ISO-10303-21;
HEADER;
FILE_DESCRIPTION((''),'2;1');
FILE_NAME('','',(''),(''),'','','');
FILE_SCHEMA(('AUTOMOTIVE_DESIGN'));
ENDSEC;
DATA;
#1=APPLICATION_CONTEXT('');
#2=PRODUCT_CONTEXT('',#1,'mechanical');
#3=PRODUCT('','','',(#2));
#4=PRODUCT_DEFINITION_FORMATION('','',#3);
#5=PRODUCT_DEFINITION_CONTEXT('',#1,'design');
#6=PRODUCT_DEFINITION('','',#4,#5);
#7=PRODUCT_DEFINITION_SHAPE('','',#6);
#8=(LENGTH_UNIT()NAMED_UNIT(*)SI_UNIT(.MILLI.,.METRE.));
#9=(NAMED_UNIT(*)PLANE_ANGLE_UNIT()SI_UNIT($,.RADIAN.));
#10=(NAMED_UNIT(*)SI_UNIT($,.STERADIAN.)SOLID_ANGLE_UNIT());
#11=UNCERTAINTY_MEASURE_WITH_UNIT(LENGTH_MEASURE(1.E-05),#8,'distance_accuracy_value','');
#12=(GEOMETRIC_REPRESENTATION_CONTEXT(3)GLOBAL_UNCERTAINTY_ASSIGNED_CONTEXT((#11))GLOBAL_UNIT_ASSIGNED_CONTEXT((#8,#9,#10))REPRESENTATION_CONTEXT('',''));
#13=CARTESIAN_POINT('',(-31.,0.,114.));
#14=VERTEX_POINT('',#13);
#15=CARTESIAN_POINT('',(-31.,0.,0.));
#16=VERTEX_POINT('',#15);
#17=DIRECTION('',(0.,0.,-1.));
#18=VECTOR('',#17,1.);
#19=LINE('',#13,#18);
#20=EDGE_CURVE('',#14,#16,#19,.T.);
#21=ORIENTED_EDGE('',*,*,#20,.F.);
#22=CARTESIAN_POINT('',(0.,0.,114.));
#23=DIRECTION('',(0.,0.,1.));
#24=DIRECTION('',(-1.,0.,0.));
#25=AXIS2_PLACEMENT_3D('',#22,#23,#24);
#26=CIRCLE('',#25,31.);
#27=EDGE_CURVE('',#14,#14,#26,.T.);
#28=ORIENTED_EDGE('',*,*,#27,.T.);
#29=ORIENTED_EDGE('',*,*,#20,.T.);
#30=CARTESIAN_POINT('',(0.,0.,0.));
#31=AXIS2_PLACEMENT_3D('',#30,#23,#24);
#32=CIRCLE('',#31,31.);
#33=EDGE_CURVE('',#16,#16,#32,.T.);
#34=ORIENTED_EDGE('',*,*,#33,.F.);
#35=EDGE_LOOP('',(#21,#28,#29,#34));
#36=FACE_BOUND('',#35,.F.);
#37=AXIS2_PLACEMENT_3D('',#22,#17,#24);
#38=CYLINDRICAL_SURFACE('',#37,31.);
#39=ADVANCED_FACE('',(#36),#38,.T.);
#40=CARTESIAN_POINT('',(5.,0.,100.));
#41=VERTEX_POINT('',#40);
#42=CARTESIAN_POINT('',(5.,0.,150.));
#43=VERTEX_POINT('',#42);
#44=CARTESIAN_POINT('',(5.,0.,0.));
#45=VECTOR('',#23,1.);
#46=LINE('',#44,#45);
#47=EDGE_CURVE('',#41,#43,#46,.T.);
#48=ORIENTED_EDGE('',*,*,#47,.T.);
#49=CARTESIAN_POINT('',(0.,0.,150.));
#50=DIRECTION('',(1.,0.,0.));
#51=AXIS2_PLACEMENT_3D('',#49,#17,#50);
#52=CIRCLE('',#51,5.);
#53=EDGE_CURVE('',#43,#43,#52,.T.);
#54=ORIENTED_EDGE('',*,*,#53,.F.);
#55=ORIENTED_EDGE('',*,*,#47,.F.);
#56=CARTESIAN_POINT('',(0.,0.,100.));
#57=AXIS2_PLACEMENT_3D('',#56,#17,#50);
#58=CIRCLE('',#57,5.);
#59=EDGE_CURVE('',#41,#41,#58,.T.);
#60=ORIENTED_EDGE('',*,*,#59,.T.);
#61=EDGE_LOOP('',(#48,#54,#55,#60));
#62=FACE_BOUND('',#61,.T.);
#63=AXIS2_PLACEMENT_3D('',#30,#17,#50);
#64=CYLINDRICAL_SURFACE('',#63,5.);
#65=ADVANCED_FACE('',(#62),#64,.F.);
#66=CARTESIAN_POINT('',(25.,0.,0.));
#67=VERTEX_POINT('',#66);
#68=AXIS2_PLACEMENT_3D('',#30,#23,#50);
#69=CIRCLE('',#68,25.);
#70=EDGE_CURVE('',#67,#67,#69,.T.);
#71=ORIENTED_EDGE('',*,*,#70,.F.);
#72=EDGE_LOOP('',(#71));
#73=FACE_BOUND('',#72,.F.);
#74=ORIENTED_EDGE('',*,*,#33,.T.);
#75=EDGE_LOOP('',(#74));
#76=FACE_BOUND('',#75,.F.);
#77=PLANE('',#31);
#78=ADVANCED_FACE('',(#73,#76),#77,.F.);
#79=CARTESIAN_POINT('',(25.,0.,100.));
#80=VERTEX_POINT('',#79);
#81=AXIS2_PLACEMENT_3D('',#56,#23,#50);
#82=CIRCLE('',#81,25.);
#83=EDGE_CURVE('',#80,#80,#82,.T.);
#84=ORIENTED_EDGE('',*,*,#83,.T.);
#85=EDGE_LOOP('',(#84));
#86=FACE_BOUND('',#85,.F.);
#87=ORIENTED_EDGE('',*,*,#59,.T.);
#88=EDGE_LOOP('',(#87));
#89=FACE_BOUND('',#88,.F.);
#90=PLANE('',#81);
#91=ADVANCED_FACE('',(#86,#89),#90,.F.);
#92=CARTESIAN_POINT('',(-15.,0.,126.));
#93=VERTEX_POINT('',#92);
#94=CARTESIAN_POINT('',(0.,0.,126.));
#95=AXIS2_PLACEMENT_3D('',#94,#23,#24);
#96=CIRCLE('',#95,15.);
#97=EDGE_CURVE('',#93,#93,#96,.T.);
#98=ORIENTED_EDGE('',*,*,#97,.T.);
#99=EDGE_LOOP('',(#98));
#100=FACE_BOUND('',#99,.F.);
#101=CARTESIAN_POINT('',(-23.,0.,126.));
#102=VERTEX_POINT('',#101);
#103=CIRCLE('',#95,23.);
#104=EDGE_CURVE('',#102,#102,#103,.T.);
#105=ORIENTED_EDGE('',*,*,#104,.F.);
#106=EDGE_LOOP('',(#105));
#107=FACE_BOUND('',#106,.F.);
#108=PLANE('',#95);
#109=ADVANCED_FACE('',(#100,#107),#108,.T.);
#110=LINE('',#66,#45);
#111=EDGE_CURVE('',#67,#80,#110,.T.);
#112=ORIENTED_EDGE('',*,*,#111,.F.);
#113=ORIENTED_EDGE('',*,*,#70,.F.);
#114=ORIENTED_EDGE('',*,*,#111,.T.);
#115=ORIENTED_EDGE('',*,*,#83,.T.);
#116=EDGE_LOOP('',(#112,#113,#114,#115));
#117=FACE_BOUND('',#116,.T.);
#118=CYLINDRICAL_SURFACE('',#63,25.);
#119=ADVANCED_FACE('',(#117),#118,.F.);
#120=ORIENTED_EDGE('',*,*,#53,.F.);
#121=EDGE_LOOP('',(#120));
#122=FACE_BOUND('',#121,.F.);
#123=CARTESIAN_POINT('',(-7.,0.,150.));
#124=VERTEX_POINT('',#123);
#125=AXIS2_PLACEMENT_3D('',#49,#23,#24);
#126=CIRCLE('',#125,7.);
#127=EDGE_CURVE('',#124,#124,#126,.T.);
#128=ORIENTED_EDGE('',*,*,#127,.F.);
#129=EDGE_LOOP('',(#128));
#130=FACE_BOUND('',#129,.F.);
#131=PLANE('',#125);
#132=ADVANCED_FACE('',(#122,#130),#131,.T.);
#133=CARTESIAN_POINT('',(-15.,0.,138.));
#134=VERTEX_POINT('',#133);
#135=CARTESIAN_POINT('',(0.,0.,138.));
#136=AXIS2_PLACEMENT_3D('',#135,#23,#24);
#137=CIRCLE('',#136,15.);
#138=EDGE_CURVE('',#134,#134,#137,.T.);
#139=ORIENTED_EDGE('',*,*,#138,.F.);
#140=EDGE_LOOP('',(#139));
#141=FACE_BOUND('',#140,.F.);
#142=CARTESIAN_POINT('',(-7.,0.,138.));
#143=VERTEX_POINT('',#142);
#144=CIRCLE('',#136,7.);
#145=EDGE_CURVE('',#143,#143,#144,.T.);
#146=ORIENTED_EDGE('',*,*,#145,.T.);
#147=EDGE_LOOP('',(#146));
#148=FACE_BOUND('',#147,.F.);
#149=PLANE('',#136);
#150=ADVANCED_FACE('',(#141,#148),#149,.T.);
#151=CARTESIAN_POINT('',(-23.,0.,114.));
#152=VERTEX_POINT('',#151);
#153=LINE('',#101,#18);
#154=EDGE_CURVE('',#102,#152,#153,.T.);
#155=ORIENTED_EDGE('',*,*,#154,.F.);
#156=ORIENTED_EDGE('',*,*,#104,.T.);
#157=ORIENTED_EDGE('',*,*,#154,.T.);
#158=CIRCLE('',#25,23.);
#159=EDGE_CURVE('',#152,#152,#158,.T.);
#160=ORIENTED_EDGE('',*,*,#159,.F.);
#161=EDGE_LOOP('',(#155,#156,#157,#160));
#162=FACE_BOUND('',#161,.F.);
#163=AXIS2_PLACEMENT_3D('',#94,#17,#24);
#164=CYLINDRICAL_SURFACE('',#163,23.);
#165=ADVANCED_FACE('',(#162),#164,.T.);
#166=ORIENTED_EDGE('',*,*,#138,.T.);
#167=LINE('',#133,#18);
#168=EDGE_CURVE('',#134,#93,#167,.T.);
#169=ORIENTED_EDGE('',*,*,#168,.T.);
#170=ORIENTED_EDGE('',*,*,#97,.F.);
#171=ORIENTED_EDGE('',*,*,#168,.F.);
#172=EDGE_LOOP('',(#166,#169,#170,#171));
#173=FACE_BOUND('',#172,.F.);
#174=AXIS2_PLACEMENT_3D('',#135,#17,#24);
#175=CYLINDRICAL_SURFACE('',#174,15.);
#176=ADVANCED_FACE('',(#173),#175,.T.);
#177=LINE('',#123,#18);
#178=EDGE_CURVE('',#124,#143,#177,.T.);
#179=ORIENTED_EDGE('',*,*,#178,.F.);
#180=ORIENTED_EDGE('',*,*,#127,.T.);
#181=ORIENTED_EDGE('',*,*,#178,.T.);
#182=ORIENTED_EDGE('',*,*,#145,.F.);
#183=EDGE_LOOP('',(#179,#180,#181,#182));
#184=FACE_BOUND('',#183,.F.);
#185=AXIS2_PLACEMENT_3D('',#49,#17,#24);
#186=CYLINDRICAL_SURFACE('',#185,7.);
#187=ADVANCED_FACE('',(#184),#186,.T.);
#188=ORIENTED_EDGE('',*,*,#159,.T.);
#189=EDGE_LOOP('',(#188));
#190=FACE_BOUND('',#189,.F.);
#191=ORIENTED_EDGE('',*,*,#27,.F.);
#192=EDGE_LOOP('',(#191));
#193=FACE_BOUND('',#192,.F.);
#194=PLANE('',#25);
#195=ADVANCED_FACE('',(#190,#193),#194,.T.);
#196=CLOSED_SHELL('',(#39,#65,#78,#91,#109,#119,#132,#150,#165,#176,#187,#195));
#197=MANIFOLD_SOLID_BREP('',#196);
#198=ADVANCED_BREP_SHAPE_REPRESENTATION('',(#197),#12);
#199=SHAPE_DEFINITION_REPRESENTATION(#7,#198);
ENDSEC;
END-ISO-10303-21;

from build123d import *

# Parameters (mm, degrees)
F2_R     = 25
F3_DEPTH = 100
F4_R     = 5
F5_DEPTH = 150.001


with BuildPart() as f1:
    # F0 (on Front) → F1 (revolve)
    with BuildSketch(Plane.XZ):
        Polygon((-31, 0), (0, 0), (0, 150), (-7, 150), (-7, 138), (-15, 138), (-15, 126), (-23, 126), (-23, 114), (-31, 114), align=None)
    revolve(axis=Axis((0, 0, 75), (0, 0, 1)))

    # F2 (on Top) → F3 (cut)
    with BuildSketch(Plane.XY):
        Circle(F2_R)
    extrude(amount=F3_DEPTH, mode=Mode.SUBTRACT)

    # F4 (on Top) → F5 (cut, through all)
    with BuildSketch(Plane.XY):
        Circle(F4_R)
    extrude(amount=F5_DEPTH, mode=Mode.SUBTRACT)


solid = f1.part
